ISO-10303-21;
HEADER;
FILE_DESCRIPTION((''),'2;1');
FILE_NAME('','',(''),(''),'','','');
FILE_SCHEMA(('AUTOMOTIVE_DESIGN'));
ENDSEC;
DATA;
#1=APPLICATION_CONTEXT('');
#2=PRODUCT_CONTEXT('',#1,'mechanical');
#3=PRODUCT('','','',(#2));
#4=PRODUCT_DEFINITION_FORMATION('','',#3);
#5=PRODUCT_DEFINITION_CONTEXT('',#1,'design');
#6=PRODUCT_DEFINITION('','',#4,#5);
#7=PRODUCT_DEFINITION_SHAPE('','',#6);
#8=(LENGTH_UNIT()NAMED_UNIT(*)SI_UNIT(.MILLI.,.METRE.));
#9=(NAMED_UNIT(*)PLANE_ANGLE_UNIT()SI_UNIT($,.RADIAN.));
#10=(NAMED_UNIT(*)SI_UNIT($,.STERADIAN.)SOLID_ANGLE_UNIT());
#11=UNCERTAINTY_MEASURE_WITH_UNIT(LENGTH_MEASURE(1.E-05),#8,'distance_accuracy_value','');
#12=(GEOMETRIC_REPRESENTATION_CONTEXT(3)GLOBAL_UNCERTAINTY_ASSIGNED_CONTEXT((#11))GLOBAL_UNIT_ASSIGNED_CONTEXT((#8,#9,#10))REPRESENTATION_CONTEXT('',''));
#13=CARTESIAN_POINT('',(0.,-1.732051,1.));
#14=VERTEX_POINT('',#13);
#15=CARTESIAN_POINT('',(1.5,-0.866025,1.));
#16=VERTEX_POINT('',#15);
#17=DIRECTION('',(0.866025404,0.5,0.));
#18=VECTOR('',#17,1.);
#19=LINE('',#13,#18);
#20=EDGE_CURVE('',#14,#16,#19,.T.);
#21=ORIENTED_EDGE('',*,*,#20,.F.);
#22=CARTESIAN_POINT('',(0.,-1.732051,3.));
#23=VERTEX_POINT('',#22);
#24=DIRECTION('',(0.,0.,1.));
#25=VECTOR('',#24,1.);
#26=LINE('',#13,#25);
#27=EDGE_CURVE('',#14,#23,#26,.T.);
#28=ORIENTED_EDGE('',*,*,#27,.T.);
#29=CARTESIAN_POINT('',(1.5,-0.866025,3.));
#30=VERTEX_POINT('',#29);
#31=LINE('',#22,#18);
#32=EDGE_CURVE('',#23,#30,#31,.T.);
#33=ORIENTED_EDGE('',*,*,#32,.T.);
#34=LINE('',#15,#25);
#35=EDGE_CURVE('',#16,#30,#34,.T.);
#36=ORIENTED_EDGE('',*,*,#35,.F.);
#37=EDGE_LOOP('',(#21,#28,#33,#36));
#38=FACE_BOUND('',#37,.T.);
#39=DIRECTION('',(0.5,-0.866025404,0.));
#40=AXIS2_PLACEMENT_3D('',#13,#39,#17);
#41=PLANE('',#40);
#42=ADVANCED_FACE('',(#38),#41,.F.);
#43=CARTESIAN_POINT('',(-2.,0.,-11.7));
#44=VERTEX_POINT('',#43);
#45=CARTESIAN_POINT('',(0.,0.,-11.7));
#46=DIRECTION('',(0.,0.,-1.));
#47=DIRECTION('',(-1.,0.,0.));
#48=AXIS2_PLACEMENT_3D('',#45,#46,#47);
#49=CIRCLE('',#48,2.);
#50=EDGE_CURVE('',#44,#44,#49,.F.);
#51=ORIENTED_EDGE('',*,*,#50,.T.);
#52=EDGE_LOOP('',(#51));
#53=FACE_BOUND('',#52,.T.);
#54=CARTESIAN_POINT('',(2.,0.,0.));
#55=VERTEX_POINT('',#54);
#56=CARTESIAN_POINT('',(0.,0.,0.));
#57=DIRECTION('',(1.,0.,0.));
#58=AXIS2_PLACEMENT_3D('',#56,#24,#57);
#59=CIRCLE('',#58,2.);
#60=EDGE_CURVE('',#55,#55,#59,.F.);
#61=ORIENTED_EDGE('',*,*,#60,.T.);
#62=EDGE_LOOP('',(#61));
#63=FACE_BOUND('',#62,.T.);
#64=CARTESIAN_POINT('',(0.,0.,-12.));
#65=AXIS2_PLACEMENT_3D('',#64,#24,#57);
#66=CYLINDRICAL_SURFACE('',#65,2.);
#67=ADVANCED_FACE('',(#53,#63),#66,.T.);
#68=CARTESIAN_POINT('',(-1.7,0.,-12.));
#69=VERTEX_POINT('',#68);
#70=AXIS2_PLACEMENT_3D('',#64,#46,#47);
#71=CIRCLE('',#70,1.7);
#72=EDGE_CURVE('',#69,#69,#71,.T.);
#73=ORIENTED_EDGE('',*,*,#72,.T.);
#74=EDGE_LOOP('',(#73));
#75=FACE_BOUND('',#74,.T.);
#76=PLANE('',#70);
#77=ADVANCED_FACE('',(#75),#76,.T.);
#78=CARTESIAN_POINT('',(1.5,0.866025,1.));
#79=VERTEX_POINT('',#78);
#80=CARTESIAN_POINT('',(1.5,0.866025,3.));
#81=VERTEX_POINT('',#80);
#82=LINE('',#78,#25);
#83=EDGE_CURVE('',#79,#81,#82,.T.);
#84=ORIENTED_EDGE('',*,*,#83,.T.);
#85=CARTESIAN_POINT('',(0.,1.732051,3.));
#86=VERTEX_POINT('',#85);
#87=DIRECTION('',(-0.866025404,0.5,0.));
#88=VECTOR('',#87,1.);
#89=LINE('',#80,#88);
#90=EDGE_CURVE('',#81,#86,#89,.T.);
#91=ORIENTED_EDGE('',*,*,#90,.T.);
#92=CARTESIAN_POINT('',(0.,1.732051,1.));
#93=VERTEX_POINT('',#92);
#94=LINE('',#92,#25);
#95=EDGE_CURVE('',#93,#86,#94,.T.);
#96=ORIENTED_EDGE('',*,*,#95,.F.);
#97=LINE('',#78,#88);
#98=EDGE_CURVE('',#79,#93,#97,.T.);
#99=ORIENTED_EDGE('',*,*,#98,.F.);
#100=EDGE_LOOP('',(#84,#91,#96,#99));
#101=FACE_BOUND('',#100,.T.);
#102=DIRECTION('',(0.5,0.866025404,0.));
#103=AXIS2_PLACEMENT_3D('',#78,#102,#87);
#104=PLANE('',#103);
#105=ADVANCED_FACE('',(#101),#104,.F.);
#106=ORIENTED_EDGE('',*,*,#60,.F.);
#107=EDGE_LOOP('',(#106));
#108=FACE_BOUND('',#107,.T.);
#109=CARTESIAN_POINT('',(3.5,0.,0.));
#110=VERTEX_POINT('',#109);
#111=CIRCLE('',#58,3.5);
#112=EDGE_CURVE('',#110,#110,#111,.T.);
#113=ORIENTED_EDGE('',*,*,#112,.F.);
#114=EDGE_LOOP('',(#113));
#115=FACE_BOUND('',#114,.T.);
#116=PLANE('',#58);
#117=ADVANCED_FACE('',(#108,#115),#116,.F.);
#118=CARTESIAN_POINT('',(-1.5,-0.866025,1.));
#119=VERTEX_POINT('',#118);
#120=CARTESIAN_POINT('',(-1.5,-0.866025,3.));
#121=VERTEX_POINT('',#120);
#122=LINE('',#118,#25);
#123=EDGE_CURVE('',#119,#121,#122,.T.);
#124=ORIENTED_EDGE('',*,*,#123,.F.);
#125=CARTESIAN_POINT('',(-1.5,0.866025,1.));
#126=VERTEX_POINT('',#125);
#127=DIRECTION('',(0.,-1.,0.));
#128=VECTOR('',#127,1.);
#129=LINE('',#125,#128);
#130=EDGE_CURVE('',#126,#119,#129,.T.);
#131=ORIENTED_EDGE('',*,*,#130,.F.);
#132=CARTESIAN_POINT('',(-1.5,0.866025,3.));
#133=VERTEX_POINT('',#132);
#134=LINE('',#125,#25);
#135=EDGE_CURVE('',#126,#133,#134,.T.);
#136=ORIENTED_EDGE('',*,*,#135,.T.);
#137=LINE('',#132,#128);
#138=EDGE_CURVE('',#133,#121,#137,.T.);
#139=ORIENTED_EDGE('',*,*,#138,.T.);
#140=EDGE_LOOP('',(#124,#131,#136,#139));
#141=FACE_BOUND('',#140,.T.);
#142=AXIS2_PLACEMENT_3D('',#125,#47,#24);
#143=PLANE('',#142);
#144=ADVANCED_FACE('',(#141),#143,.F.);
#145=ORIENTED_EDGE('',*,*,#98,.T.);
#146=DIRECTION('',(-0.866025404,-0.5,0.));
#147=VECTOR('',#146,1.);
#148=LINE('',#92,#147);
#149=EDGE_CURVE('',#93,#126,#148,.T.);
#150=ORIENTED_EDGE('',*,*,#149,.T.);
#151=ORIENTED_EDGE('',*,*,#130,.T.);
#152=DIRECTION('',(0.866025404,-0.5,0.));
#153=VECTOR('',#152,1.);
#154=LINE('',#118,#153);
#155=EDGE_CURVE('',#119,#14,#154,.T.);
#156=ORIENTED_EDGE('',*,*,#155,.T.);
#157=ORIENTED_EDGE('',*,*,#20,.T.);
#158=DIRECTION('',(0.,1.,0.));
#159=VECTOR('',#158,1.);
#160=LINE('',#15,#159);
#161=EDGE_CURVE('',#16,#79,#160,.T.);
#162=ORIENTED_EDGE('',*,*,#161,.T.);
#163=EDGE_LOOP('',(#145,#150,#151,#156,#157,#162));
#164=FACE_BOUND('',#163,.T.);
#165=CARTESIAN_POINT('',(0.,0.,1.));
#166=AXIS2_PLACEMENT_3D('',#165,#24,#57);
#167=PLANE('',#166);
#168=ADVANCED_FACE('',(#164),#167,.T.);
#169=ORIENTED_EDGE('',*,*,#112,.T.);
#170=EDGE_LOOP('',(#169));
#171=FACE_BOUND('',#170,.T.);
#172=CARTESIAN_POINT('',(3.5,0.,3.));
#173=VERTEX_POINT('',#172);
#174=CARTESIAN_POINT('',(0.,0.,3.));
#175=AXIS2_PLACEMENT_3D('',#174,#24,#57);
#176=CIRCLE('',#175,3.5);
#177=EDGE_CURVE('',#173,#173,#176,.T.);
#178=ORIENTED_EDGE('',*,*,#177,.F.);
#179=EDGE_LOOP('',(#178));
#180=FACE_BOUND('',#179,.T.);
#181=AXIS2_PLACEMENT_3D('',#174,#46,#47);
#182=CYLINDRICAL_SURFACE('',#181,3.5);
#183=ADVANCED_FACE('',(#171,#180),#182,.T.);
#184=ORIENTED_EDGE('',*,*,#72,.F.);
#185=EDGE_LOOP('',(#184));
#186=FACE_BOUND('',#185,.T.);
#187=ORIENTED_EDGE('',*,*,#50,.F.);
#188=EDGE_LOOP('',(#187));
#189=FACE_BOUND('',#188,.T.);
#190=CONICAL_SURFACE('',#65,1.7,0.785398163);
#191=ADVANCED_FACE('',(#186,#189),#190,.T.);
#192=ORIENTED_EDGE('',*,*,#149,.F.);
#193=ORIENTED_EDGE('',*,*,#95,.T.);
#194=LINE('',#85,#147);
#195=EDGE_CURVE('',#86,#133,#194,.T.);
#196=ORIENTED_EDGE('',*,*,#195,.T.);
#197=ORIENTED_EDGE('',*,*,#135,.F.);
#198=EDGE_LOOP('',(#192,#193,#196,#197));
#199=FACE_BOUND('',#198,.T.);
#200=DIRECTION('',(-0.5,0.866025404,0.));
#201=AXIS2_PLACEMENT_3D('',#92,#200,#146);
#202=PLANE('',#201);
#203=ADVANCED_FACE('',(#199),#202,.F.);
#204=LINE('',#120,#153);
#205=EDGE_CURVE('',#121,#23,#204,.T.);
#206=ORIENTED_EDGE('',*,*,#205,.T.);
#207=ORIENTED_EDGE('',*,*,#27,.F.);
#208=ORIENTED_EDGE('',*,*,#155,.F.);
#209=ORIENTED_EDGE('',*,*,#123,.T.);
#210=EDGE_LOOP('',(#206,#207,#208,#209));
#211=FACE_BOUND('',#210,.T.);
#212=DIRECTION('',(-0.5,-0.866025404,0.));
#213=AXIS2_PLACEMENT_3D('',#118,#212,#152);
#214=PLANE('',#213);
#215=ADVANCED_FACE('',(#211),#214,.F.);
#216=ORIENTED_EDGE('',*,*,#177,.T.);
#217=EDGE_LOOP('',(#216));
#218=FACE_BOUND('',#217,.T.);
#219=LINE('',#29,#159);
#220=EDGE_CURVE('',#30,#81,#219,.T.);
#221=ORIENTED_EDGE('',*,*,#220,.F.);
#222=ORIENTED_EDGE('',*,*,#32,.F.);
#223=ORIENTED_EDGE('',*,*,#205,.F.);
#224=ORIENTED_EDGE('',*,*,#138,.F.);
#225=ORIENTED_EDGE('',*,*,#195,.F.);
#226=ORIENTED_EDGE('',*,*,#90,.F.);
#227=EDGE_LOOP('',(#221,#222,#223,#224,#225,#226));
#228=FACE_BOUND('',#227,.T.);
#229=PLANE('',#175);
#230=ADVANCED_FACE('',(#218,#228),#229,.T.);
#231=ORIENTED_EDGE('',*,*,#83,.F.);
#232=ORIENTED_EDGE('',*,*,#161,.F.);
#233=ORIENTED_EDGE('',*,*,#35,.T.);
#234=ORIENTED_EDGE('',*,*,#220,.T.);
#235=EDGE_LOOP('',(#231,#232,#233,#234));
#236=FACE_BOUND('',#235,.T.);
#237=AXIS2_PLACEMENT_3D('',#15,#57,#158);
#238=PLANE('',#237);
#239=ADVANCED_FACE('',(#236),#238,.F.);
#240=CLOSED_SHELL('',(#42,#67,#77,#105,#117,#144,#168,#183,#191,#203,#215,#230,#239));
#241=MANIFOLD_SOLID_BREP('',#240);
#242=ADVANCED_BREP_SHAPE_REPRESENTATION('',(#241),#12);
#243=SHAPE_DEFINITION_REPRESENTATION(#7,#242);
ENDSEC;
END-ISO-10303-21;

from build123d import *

# Parameters (mm, degrees)
SKETCH1_R           = 3.5
BOSS_EXTRUDE1_DEPTH = 3
SKETCH2_R           = 2
BOSS_EXTRUDE2_DEPTH = 12
CHAMFER1_SIZE       = 0.3
CUT_EXTRUDE1_DEPTH  = 2


with BuildPart() as part:
    # Sketch1 → Boss-Extrude1 (new body)
    with BuildSketch(Plane.XY):
        Circle(SKETCH1_R)
    extrude(amount=BOSS_EXTRUDE1_DEPTH)

    # Sketch2 → Boss-Extrude2 (add)
    with BuildSketch(Plane(origin=(0, 0, 0), x_dir=(-1, 0, 0), z_dir=(0, 0, -1))):
        Circle(SKETCH2_R)
    extrude(amount=BOSS_EXTRUDE2_DEPTH)

    # Chamfer1
    chamfer1_edges = [part.edges().sort_by_distance(p)[0] for p in [
        (2, 0, -12),
    ]]
    chamfer(chamfer1_edges, length=CHAMFER1_SIZE)

    # Sketch3 → Cut-Extrude1 (cut)
    with BuildSketch(Plane.XY.offset(3)):
        Polygon((0, 1.732050808), (-1.5, 0.866025404), (-1.5, -0.866025404), (0, -1.732050808), (1.5, -0.866025404), (1.5, 0.866025404), align=None)
    extrude(amount=-CUT_EXTRUDE1_DEPTH, mode=Mode.SUBTRACT)


solid = part.part
